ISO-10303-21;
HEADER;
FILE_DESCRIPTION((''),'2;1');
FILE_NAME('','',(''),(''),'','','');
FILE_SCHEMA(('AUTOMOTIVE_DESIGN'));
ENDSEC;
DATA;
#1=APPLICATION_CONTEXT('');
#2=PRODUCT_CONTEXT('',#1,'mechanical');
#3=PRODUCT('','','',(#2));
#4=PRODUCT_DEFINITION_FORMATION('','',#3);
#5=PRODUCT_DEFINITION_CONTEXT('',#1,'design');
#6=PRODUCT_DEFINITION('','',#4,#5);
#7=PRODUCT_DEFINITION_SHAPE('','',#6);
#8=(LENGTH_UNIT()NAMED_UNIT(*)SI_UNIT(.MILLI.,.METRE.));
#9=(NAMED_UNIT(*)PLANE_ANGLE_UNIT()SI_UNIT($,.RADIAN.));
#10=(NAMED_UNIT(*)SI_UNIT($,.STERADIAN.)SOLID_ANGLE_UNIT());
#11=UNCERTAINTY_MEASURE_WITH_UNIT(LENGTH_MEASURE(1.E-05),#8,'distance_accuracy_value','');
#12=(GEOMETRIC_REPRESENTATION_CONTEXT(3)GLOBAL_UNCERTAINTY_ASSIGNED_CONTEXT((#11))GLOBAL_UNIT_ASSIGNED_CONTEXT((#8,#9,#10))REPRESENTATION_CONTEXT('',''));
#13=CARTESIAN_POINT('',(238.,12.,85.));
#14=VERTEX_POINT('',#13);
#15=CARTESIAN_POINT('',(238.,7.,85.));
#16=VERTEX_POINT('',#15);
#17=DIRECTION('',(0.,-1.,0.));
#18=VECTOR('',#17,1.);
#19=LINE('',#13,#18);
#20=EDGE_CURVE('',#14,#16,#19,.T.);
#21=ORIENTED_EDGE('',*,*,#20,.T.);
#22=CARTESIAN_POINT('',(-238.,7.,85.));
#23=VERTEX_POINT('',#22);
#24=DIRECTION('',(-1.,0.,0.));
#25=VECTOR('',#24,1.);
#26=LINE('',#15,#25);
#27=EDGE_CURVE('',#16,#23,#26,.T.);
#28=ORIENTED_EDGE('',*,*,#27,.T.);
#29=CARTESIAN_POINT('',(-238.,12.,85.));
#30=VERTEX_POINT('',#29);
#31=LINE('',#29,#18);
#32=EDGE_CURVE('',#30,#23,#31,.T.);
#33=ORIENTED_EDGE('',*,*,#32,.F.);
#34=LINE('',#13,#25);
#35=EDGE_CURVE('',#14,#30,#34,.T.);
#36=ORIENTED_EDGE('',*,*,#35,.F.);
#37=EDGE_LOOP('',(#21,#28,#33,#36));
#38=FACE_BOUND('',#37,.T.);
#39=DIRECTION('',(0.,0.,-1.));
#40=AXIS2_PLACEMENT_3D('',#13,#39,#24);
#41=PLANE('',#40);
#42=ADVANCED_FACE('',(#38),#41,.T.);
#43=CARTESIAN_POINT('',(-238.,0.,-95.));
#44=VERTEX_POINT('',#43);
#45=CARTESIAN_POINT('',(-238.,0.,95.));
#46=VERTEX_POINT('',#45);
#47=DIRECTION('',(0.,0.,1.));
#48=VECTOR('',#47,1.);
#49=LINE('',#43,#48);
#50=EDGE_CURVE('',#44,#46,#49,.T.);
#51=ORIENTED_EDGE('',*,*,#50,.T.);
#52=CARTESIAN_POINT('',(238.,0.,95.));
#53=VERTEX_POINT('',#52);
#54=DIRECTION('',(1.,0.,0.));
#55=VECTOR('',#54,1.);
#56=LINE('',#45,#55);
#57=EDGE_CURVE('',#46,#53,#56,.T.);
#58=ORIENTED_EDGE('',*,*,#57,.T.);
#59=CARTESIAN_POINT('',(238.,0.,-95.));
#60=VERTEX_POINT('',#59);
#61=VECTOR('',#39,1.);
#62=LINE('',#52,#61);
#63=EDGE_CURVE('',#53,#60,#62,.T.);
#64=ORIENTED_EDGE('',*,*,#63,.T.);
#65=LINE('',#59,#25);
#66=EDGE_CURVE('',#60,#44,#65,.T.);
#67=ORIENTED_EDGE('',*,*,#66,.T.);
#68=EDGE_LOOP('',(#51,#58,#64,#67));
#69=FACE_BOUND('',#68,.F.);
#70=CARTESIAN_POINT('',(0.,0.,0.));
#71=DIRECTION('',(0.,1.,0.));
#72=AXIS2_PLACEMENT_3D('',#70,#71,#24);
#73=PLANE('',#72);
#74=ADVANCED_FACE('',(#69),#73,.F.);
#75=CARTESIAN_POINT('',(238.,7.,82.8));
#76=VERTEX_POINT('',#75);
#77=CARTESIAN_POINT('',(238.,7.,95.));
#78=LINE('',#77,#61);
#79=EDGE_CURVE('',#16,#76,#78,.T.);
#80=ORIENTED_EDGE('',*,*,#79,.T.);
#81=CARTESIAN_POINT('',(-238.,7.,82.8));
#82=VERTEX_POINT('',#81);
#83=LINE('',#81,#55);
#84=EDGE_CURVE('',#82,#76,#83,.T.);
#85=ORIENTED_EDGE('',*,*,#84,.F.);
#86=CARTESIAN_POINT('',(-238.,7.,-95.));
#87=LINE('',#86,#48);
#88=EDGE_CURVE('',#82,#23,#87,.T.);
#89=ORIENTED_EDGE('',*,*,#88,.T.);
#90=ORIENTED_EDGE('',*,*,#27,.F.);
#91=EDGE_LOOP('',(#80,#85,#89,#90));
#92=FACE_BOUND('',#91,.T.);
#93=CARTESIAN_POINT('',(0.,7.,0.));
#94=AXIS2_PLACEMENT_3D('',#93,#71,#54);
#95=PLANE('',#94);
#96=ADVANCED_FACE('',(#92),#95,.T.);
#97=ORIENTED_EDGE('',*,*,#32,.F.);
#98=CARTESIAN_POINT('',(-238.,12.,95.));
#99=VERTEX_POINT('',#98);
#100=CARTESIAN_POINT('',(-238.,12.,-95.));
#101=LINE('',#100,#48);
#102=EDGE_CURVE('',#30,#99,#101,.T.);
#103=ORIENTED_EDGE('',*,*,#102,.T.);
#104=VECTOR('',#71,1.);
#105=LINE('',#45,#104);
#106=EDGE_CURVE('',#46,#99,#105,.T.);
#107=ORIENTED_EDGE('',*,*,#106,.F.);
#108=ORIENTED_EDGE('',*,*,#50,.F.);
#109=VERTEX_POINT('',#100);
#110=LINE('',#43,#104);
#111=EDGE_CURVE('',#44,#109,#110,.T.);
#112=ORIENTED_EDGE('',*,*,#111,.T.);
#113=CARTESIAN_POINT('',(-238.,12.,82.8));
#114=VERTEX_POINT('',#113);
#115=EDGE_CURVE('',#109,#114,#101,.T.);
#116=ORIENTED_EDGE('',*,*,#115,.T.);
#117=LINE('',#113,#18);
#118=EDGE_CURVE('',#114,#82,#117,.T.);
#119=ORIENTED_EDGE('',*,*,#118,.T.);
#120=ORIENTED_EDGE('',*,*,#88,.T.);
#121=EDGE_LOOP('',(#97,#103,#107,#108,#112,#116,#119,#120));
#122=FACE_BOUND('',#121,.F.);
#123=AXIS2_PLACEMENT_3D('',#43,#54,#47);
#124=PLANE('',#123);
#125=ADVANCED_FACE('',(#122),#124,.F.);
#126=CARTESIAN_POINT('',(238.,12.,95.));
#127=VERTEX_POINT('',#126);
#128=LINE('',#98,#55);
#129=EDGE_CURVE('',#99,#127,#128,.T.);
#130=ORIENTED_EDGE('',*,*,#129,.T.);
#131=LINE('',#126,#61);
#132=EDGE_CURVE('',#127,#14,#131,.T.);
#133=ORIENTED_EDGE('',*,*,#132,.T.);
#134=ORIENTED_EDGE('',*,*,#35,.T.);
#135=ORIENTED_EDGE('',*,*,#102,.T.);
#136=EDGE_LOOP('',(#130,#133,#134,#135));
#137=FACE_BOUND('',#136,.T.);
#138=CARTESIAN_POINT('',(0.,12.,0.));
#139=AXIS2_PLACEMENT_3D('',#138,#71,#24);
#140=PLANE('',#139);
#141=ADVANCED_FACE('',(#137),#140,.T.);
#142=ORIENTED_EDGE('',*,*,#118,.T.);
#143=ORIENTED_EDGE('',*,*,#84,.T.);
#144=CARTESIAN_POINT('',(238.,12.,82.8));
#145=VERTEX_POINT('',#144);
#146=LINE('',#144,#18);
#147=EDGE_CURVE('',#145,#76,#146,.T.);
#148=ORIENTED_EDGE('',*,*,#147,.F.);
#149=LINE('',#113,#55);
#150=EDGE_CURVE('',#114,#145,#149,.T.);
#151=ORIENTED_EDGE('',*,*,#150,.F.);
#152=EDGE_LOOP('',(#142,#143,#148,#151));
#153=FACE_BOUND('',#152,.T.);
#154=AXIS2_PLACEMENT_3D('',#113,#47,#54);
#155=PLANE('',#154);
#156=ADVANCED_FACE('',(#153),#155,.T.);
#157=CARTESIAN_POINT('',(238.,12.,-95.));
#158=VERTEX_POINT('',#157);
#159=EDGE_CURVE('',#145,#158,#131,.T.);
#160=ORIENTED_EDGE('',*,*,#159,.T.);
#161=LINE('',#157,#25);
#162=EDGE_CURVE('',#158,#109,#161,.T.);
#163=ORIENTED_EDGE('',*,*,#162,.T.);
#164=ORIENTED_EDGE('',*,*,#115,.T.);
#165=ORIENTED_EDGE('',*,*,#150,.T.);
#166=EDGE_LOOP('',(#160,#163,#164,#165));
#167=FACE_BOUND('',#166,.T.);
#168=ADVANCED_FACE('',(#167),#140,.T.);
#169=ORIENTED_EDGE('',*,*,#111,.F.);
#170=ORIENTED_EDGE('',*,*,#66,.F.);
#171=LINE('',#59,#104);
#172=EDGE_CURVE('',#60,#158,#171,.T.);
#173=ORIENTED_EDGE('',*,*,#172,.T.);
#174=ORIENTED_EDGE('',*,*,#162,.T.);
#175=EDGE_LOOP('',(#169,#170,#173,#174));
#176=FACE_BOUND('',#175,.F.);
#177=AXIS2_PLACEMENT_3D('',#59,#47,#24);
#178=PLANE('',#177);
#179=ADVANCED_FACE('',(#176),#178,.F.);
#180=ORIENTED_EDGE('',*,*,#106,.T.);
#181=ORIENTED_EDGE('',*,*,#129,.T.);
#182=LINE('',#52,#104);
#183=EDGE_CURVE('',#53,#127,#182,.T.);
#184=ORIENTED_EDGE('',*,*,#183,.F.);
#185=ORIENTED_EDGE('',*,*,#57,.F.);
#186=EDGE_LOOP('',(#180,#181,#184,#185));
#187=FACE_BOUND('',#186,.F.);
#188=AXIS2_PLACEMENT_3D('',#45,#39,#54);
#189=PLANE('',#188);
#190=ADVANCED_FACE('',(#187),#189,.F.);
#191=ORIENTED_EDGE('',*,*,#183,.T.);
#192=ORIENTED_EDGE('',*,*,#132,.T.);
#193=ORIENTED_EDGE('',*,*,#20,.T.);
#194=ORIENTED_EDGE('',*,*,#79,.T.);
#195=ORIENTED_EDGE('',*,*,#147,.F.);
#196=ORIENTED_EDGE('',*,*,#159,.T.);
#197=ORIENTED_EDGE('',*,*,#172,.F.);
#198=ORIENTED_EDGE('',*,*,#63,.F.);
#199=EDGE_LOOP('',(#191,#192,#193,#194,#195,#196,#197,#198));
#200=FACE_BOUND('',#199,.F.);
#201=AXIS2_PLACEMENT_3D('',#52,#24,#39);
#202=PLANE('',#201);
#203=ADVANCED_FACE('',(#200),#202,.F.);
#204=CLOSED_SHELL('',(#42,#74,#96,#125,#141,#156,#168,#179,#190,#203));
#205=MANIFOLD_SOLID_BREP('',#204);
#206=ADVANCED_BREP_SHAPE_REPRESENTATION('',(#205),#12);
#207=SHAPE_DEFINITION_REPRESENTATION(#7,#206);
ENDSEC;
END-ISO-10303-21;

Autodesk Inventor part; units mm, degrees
ref_plane "YZ Plane" through (0, 0, 0) normal (1, 0, 0) x (0, 1, 0)
ref_plane "XZ Plane" through (0, 0, 0) normal (0, 1, 0) x (-1, 0, 0)
ref_plane "XY Plane" through (0, 0, 0) normal (0, 0, 1) x (1, 0, 0)
sketch "Skizze1" plane through (0, 0, 0) normal (0, 1, 0) x (-1, 0, 0)
  line L0 (238, 95) -> (-238, 95)
  line L1 (-238, 95) -> (-238, -95)
  line L2 (-238, -95) -> (238, -95)
  line L3 (238, -95) -> (238, 95)
  point P0 (0, 0)
  point P1 (0, 95)
  point P2 (-238, 0)
  dimension "d0" = 476
  dimension "d1" = 190
extrude "Extrusion1" add sketch "Skizze1" along normal blind 12
sketch "Skizze2" plane through (0, 12, 0) normal (0, 1, 0) x (1, 0, 0)
  line L0 (238, -95) -> (238, 95) projected
  line L1 (238, 95) -> (-238, 95) projected
  line L2 (-238, 95) -> (-238, -95) projected
  line L3 (-238, -95) -> (238, -95) projected
  line L4 (238, -95) -> (238, 95) projected
  line L5 (238, -85) -> (-238, -85)
  line L6 (-238, -85) -> (-238, -82.8)
  line L7 (-238, -82.8) -> (238, -82.8)
  line L8 (238, -82.8) -> (238, -85)
  point P0 (0, 0)
  dimension "d4" = 10
  dimension "d5" = 2.2
extrude "Extrusion2" cut sketch "Skizze2" against normal blind 5 contours L5 L2 L7 L0
properties part number "Oberseite_Shotclock" material "Holz (Kirsche)"
